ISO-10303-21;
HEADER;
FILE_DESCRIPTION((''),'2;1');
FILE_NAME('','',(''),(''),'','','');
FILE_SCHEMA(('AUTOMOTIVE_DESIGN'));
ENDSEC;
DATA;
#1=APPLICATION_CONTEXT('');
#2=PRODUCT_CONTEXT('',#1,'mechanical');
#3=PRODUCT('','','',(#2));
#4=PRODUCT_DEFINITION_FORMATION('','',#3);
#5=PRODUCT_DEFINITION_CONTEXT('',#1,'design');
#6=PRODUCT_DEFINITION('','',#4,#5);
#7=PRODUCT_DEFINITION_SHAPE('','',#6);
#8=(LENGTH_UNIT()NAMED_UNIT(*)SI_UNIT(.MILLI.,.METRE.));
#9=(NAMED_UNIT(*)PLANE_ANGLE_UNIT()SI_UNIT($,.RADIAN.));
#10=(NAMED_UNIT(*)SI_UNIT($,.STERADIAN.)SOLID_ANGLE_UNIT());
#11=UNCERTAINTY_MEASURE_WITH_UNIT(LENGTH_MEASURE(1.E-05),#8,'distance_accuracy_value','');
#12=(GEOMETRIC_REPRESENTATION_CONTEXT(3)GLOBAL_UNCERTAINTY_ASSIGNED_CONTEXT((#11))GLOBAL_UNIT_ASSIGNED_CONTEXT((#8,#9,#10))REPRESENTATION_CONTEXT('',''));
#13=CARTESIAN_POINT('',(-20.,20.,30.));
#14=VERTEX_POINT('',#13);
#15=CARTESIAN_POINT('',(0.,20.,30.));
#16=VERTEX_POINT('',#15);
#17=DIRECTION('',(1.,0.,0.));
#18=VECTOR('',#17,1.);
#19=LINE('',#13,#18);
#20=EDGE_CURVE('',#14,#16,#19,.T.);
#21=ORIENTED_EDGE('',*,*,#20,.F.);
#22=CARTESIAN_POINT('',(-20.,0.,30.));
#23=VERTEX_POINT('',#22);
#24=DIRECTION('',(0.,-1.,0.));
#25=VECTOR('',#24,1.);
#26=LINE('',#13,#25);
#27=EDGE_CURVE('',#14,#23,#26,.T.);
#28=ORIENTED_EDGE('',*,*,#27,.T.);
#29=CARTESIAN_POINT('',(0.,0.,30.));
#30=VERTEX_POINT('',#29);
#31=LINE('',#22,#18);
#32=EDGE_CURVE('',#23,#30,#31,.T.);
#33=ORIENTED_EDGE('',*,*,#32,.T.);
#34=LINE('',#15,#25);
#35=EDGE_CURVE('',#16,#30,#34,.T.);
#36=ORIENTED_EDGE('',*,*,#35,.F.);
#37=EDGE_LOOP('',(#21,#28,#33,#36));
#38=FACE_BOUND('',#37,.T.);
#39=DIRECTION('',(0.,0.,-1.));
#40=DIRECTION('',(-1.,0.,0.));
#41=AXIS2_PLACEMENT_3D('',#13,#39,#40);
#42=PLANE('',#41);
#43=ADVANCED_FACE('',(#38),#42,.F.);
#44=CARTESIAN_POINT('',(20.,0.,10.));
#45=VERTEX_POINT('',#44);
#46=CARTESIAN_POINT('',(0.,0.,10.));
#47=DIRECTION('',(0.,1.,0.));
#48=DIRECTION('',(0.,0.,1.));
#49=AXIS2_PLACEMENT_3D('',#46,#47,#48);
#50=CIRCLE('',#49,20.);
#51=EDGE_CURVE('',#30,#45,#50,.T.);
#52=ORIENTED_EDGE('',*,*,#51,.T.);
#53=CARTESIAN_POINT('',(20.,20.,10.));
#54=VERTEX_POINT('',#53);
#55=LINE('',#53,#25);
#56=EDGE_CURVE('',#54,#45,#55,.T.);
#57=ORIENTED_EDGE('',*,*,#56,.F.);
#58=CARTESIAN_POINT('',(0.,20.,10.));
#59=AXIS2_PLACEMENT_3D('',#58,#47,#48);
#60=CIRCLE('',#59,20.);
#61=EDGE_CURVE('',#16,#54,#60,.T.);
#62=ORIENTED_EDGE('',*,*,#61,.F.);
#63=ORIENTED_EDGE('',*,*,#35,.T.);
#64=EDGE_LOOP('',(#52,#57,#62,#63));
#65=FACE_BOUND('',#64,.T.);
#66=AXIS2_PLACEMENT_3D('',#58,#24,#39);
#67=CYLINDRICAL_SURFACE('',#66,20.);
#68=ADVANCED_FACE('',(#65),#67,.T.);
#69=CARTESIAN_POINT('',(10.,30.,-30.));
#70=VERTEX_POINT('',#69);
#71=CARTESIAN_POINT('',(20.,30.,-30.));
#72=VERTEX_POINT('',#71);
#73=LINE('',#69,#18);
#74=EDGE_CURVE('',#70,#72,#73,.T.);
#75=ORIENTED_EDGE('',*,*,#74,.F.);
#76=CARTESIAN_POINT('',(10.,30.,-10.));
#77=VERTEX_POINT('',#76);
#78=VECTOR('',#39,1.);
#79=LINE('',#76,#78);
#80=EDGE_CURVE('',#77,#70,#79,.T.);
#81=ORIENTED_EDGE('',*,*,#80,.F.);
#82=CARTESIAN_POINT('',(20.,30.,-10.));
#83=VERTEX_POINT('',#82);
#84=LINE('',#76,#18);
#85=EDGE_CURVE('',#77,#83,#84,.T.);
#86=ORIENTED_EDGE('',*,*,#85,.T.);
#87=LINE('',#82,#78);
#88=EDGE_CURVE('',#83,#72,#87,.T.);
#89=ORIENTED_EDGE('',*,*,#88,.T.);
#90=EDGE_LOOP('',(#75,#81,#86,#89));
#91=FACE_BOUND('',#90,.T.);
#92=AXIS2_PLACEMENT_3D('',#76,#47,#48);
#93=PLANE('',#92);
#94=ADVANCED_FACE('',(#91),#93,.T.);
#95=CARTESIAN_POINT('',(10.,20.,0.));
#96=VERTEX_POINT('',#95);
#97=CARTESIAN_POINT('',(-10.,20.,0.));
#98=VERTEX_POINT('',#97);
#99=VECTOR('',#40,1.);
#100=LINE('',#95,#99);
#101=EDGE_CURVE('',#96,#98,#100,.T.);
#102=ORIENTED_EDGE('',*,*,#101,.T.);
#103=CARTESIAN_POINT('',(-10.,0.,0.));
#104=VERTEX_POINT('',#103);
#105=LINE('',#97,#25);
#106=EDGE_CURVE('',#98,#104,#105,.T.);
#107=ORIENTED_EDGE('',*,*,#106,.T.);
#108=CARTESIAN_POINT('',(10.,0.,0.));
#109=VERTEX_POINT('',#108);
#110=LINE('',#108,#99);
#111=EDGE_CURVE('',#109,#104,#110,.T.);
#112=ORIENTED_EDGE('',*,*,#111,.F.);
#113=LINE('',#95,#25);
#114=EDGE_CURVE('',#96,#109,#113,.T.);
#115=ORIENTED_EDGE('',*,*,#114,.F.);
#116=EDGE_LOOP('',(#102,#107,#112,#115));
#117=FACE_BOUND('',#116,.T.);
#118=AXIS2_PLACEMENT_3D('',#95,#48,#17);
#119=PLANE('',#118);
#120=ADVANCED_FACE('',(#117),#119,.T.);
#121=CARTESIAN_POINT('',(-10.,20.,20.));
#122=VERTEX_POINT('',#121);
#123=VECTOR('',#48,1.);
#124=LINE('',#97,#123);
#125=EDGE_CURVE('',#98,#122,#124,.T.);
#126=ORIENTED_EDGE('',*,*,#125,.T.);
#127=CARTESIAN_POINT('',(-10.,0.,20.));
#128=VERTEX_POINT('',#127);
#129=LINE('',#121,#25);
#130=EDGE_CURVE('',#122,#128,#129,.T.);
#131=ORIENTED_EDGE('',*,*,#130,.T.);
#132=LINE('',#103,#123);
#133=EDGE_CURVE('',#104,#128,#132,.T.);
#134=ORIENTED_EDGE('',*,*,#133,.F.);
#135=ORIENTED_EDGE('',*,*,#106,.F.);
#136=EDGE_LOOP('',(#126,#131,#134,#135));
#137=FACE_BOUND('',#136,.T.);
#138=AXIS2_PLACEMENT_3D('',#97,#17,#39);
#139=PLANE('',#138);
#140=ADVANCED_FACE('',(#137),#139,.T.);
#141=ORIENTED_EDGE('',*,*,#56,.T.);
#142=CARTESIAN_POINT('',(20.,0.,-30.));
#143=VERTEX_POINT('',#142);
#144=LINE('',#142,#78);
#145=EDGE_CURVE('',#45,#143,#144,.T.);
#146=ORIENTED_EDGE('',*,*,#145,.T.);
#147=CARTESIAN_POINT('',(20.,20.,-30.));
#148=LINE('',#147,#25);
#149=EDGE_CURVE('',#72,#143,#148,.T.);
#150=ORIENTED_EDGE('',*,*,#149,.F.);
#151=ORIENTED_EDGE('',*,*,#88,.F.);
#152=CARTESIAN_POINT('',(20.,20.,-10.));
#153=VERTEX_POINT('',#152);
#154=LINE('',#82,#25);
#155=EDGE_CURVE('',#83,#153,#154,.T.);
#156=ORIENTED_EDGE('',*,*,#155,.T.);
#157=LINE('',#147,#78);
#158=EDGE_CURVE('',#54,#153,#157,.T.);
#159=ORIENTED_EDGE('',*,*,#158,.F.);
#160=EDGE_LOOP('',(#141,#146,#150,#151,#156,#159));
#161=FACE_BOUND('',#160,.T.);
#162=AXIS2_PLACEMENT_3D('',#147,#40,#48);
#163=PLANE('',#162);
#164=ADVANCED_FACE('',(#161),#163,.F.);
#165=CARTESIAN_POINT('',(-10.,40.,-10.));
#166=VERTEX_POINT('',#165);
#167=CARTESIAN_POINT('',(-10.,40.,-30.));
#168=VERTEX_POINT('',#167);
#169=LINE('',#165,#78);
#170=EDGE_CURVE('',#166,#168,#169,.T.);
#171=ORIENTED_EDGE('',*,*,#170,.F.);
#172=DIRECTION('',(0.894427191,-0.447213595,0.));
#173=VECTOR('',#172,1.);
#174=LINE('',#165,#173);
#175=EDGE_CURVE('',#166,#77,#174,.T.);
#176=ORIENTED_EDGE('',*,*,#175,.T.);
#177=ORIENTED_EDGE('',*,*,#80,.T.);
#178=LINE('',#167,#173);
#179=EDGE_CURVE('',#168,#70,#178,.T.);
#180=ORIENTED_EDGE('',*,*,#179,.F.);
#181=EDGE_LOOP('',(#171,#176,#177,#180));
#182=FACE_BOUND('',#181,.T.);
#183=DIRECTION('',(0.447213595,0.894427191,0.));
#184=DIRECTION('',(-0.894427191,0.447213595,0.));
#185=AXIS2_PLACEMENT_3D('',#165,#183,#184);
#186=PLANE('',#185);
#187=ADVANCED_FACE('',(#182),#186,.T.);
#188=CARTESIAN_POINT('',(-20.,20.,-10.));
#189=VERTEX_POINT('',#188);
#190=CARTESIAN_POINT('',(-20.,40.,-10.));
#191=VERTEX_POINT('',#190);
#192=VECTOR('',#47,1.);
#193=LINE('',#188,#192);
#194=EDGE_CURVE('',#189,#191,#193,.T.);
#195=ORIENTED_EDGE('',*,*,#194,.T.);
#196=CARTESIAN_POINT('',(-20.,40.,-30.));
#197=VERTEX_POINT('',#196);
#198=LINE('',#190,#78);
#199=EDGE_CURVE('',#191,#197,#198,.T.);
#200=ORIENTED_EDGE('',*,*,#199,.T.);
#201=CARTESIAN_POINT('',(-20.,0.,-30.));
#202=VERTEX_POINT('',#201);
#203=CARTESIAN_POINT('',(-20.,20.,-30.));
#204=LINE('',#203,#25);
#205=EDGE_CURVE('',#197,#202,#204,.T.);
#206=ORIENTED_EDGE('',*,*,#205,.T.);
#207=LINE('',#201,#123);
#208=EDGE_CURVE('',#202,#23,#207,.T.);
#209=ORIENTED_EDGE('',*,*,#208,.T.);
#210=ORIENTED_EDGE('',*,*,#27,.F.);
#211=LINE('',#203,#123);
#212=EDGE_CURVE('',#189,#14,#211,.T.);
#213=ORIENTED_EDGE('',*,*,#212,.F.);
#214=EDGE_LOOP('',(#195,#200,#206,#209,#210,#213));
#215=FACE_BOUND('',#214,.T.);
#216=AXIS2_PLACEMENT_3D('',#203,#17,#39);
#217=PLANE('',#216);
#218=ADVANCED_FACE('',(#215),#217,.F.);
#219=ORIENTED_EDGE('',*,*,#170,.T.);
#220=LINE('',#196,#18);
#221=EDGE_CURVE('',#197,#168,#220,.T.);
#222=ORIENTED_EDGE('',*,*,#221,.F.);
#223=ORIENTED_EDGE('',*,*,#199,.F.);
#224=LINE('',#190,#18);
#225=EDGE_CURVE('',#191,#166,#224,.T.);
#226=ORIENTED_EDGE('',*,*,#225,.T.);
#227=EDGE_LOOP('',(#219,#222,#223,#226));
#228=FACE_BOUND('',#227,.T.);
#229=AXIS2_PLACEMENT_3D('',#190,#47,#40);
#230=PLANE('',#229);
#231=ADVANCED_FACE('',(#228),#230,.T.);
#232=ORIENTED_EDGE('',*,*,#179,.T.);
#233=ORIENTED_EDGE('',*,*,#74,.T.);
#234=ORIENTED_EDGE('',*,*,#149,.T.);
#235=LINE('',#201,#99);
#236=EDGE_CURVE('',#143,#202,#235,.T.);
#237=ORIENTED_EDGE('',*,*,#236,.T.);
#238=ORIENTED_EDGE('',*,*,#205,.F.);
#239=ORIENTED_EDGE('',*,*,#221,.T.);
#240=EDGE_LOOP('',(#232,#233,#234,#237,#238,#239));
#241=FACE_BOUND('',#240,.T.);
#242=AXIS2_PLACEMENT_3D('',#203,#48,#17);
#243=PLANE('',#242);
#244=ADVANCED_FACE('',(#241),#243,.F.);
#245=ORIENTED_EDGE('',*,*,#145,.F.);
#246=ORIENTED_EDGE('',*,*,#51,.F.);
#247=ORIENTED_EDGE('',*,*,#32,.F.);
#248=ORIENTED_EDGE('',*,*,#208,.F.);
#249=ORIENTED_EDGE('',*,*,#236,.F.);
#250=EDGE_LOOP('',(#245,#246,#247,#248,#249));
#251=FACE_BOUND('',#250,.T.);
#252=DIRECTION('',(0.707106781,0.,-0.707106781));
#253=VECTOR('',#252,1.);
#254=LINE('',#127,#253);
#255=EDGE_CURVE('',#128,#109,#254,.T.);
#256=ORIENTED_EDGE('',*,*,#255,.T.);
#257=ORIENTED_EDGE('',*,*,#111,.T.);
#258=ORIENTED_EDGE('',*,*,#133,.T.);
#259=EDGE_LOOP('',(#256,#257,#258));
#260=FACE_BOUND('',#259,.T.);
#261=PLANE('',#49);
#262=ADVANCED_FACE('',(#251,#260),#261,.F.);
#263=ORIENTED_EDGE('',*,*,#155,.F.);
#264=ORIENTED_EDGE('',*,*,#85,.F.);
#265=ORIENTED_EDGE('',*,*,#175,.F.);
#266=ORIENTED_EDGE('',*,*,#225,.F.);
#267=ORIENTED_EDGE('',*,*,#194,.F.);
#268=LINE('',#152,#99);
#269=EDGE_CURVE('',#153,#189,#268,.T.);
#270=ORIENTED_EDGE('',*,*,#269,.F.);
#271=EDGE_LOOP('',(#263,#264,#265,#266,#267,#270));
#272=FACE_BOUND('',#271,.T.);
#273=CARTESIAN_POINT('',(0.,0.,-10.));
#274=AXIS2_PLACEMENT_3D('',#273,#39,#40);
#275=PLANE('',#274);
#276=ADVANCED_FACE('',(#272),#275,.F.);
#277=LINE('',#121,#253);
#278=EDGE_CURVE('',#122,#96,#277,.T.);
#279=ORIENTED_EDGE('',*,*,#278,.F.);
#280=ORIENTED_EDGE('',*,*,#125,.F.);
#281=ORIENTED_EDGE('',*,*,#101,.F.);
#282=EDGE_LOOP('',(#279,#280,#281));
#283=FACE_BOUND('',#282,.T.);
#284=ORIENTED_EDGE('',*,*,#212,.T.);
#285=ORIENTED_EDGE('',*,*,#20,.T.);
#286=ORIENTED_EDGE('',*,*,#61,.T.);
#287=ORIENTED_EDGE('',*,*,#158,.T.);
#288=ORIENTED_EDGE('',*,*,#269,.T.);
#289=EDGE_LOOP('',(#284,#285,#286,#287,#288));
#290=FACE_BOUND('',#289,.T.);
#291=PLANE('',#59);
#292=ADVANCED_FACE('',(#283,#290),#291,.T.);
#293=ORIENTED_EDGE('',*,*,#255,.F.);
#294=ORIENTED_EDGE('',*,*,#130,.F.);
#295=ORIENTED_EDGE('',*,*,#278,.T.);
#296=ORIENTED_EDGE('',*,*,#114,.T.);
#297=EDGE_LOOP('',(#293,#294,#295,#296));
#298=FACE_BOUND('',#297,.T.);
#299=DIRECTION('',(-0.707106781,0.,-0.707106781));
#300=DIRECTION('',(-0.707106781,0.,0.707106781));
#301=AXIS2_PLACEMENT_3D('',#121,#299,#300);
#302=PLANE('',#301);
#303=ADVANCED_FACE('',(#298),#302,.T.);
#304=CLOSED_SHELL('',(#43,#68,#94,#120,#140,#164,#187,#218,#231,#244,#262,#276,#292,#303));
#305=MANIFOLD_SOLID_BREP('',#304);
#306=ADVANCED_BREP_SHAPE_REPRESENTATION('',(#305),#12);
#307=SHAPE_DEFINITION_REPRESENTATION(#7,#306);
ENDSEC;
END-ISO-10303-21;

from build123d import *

# Parameters (mm, degrees)
BOSS_EXTRUDE1_DEPTH = 20
BOSS_EXTRUDE2_DEPTH = 20


with BuildPart() as part:
    # Sketch1 → Boss-Extrude1 (new body)
    with BuildSketch(Plane(origin=(0, 0, 0), x_dir=(1, 0, 0), z_dir=(0, 1, 0))):
        with BuildLine():
            Line((-20, 30), (20, 30))
            Line((20, 30), (20, -10))
            ThreePointArc((20, -10), (14.142135624, -24.142135624), (0, -30))
            Line((0, -30), (-20, -30))
            Line((-20, -30), (-20, 30))
        make_face()
        Polygon((-10, 0), (-10, -20), (10, 0), align=None, mode=Mode.SUBTRACT)
    extrude(amount=BOSS_EXTRUDE1_DEPTH)

    # Sketch2 → Boss-Extrude2 (add)
    with BuildSketch(Plane(origin=(0, 0, -30), x_dir=(-1, 0, 0), z_dir=(0, 0, -1))):
        Polygon((20, 20), (20, 40), (10, 40), (-10, 30), (-20, 30), (-20, 20), align=None)
    extrude(amount=-BOSS_EXTRUDE2_DEPTH)


solid = part.part
